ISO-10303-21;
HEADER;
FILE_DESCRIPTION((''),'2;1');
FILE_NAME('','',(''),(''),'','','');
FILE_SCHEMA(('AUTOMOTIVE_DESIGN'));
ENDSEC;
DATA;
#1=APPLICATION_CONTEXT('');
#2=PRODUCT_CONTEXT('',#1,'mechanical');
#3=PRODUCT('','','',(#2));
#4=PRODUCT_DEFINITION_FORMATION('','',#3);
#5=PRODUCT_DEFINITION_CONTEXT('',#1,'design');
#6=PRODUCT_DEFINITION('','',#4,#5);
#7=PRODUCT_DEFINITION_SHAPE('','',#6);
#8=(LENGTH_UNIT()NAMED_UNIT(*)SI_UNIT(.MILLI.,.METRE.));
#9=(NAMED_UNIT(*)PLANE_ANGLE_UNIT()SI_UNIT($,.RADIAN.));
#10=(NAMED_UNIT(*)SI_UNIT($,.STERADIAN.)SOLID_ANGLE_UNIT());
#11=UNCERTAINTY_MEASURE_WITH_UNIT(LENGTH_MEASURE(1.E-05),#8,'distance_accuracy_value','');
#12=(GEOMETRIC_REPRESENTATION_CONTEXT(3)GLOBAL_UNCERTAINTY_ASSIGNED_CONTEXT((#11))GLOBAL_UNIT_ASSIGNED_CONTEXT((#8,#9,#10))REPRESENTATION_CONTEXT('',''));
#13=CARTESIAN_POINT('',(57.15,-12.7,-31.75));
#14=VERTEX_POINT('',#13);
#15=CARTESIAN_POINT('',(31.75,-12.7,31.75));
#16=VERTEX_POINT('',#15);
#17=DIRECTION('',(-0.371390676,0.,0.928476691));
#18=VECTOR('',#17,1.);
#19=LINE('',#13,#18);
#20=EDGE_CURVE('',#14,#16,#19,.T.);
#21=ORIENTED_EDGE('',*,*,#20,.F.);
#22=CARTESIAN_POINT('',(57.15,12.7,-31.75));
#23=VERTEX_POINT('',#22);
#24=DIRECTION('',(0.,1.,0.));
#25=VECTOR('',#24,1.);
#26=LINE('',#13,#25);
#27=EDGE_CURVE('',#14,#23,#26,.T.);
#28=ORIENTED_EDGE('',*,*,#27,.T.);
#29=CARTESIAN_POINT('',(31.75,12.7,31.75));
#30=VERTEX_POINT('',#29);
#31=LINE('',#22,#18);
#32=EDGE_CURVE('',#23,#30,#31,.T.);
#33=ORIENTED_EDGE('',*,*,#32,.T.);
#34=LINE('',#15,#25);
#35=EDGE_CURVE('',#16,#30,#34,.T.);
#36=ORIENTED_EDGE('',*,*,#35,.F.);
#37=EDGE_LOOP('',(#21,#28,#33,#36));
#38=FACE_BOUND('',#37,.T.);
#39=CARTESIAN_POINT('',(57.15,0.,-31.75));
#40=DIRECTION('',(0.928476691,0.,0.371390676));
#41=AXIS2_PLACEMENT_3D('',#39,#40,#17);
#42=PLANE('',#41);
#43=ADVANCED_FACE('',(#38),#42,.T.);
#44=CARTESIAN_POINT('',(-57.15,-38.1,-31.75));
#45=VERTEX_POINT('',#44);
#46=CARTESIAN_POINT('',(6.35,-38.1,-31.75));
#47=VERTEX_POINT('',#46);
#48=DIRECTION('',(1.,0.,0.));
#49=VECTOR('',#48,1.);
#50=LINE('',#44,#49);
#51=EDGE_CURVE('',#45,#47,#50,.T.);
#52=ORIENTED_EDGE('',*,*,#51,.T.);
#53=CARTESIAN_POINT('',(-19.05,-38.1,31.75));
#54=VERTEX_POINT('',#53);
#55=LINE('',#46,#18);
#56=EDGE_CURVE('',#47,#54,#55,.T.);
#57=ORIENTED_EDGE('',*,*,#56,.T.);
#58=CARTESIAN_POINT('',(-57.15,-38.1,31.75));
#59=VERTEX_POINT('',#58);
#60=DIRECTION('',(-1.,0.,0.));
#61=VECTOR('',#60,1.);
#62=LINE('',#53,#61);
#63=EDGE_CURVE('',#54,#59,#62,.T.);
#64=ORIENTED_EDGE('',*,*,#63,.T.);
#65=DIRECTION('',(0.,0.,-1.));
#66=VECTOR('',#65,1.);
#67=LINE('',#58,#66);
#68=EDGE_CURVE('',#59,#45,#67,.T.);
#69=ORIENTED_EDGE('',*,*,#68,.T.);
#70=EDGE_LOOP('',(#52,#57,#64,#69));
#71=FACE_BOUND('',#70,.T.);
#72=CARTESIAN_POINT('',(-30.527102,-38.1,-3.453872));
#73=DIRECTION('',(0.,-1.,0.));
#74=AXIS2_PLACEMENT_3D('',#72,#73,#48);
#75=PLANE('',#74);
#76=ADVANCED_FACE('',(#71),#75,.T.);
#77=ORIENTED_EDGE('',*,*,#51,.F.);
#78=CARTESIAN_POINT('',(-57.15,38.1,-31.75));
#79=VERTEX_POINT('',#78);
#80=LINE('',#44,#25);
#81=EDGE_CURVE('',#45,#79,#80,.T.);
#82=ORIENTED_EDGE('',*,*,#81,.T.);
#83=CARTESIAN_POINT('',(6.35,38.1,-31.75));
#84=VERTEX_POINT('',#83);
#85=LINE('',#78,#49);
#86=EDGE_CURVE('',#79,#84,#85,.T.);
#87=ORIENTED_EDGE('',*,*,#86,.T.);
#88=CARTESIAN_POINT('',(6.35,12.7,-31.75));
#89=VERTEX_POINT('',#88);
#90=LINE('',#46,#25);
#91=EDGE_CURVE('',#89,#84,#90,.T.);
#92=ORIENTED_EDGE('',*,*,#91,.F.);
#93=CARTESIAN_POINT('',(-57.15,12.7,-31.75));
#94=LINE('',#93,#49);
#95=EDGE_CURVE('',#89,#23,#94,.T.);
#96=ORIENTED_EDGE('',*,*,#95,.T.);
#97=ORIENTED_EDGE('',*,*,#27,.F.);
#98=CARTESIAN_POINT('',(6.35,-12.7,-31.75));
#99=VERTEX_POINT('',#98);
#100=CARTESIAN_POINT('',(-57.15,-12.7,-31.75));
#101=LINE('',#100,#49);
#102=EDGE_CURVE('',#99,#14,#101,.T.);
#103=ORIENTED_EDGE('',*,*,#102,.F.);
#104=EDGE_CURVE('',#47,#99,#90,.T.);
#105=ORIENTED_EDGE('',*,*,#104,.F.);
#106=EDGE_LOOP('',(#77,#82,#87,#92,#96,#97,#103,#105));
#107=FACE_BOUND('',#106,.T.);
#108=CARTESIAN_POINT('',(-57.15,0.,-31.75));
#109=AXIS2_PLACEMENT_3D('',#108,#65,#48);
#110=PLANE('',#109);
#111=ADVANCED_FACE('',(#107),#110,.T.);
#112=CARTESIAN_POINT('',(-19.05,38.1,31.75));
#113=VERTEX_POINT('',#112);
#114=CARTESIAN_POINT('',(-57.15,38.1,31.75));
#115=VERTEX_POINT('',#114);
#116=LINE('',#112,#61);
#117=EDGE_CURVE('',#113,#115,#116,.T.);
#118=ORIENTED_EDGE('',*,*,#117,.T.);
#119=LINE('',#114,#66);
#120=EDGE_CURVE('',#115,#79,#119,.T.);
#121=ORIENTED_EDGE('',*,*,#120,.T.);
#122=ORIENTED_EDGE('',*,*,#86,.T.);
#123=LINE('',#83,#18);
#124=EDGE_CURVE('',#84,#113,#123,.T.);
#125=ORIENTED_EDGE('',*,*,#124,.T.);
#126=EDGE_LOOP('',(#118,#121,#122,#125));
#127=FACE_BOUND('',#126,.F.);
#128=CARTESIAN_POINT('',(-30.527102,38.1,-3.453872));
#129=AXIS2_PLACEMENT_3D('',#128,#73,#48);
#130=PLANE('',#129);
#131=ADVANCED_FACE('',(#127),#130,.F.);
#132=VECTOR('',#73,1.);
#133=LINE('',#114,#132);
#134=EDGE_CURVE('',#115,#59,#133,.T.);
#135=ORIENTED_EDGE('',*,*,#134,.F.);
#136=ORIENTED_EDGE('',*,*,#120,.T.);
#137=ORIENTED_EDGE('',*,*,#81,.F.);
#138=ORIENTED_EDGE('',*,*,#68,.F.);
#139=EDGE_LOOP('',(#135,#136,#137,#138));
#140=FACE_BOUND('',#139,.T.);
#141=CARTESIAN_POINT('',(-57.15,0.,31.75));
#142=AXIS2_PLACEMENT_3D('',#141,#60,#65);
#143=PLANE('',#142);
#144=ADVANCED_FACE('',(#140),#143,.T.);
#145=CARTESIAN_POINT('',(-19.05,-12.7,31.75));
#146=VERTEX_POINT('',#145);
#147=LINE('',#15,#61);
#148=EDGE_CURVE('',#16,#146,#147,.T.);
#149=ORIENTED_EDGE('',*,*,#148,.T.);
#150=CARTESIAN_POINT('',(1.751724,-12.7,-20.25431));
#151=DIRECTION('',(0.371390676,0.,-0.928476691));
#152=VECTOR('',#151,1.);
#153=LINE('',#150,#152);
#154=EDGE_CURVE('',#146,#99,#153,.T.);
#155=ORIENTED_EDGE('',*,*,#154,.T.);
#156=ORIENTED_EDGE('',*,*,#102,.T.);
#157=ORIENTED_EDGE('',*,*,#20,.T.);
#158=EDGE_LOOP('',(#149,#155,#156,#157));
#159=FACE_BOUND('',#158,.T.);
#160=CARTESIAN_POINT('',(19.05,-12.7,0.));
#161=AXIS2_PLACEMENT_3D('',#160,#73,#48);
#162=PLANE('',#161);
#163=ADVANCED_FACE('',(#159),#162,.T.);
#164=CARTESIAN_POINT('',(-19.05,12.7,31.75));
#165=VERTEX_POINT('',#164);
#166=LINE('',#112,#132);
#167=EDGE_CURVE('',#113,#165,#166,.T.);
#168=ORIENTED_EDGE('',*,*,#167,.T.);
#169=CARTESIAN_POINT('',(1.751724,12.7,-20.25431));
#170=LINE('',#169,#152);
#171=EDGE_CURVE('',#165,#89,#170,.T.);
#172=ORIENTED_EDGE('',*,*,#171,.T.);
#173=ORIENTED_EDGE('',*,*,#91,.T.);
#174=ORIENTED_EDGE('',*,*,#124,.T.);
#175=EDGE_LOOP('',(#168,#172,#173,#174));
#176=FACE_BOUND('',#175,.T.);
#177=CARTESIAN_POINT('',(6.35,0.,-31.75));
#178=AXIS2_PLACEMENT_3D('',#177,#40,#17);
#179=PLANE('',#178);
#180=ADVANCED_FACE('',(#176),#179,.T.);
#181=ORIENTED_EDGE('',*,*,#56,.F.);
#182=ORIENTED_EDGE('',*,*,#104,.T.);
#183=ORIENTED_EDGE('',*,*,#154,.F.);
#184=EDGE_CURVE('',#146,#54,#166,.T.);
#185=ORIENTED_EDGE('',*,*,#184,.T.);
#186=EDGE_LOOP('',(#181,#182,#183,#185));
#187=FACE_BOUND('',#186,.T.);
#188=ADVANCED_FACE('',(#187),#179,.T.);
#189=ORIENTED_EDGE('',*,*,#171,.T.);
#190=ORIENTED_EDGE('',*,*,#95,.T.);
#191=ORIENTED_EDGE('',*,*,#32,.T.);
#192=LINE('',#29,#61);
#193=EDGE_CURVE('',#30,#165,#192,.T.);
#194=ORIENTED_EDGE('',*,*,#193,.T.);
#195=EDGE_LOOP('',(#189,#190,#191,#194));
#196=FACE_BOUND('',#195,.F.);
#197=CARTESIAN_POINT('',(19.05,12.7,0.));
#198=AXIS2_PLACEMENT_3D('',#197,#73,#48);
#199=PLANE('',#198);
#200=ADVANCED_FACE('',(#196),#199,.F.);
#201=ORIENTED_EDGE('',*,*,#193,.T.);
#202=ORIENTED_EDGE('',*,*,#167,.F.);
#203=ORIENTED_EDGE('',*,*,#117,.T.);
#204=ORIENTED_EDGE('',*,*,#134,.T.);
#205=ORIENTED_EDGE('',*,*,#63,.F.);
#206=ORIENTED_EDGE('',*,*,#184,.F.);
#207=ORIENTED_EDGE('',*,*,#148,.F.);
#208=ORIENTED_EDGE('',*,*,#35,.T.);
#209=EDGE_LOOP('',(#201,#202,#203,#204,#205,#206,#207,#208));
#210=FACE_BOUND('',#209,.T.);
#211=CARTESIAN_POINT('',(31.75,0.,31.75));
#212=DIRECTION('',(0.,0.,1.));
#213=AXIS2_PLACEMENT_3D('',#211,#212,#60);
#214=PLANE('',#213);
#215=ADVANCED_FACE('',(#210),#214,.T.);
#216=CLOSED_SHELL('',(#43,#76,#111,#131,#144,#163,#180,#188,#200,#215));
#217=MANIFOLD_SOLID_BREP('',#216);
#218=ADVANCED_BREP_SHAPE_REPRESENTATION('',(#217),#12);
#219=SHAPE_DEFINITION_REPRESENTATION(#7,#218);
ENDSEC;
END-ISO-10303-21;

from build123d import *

# Parameters (mm, degrees)
F1_DEPTH = 38.1
F2_DEPTH = 12.7


with BuildPart() as f1:
    # F0 (on Front) → F1 (new body, symmetric)
    with BuildSketch(Plane.XZ):
        Polygon((6.35, -31.75), (-19.05, 31.75), (-57.15, 31.75), (-57.15, -31.75), align=None)
    extrude(amount=F1_DEPTH, both=True)

    # F0 (on Front) → F2 (join, symmetric)
    with BuildSketch(Plane.XZ):
        Polygon((31.75, 31.75), (-19.05, 31.75), (6.35, -31.75), (57.15, -31.75), align=None)
        Polygon((6.35, -31.75), (-19.05, 31.75), (-57.15, 31.75), (-57.15, -31.75), align=None)
    extrude(amount=F2_DEPTH, both=True)


solid = f1.part
